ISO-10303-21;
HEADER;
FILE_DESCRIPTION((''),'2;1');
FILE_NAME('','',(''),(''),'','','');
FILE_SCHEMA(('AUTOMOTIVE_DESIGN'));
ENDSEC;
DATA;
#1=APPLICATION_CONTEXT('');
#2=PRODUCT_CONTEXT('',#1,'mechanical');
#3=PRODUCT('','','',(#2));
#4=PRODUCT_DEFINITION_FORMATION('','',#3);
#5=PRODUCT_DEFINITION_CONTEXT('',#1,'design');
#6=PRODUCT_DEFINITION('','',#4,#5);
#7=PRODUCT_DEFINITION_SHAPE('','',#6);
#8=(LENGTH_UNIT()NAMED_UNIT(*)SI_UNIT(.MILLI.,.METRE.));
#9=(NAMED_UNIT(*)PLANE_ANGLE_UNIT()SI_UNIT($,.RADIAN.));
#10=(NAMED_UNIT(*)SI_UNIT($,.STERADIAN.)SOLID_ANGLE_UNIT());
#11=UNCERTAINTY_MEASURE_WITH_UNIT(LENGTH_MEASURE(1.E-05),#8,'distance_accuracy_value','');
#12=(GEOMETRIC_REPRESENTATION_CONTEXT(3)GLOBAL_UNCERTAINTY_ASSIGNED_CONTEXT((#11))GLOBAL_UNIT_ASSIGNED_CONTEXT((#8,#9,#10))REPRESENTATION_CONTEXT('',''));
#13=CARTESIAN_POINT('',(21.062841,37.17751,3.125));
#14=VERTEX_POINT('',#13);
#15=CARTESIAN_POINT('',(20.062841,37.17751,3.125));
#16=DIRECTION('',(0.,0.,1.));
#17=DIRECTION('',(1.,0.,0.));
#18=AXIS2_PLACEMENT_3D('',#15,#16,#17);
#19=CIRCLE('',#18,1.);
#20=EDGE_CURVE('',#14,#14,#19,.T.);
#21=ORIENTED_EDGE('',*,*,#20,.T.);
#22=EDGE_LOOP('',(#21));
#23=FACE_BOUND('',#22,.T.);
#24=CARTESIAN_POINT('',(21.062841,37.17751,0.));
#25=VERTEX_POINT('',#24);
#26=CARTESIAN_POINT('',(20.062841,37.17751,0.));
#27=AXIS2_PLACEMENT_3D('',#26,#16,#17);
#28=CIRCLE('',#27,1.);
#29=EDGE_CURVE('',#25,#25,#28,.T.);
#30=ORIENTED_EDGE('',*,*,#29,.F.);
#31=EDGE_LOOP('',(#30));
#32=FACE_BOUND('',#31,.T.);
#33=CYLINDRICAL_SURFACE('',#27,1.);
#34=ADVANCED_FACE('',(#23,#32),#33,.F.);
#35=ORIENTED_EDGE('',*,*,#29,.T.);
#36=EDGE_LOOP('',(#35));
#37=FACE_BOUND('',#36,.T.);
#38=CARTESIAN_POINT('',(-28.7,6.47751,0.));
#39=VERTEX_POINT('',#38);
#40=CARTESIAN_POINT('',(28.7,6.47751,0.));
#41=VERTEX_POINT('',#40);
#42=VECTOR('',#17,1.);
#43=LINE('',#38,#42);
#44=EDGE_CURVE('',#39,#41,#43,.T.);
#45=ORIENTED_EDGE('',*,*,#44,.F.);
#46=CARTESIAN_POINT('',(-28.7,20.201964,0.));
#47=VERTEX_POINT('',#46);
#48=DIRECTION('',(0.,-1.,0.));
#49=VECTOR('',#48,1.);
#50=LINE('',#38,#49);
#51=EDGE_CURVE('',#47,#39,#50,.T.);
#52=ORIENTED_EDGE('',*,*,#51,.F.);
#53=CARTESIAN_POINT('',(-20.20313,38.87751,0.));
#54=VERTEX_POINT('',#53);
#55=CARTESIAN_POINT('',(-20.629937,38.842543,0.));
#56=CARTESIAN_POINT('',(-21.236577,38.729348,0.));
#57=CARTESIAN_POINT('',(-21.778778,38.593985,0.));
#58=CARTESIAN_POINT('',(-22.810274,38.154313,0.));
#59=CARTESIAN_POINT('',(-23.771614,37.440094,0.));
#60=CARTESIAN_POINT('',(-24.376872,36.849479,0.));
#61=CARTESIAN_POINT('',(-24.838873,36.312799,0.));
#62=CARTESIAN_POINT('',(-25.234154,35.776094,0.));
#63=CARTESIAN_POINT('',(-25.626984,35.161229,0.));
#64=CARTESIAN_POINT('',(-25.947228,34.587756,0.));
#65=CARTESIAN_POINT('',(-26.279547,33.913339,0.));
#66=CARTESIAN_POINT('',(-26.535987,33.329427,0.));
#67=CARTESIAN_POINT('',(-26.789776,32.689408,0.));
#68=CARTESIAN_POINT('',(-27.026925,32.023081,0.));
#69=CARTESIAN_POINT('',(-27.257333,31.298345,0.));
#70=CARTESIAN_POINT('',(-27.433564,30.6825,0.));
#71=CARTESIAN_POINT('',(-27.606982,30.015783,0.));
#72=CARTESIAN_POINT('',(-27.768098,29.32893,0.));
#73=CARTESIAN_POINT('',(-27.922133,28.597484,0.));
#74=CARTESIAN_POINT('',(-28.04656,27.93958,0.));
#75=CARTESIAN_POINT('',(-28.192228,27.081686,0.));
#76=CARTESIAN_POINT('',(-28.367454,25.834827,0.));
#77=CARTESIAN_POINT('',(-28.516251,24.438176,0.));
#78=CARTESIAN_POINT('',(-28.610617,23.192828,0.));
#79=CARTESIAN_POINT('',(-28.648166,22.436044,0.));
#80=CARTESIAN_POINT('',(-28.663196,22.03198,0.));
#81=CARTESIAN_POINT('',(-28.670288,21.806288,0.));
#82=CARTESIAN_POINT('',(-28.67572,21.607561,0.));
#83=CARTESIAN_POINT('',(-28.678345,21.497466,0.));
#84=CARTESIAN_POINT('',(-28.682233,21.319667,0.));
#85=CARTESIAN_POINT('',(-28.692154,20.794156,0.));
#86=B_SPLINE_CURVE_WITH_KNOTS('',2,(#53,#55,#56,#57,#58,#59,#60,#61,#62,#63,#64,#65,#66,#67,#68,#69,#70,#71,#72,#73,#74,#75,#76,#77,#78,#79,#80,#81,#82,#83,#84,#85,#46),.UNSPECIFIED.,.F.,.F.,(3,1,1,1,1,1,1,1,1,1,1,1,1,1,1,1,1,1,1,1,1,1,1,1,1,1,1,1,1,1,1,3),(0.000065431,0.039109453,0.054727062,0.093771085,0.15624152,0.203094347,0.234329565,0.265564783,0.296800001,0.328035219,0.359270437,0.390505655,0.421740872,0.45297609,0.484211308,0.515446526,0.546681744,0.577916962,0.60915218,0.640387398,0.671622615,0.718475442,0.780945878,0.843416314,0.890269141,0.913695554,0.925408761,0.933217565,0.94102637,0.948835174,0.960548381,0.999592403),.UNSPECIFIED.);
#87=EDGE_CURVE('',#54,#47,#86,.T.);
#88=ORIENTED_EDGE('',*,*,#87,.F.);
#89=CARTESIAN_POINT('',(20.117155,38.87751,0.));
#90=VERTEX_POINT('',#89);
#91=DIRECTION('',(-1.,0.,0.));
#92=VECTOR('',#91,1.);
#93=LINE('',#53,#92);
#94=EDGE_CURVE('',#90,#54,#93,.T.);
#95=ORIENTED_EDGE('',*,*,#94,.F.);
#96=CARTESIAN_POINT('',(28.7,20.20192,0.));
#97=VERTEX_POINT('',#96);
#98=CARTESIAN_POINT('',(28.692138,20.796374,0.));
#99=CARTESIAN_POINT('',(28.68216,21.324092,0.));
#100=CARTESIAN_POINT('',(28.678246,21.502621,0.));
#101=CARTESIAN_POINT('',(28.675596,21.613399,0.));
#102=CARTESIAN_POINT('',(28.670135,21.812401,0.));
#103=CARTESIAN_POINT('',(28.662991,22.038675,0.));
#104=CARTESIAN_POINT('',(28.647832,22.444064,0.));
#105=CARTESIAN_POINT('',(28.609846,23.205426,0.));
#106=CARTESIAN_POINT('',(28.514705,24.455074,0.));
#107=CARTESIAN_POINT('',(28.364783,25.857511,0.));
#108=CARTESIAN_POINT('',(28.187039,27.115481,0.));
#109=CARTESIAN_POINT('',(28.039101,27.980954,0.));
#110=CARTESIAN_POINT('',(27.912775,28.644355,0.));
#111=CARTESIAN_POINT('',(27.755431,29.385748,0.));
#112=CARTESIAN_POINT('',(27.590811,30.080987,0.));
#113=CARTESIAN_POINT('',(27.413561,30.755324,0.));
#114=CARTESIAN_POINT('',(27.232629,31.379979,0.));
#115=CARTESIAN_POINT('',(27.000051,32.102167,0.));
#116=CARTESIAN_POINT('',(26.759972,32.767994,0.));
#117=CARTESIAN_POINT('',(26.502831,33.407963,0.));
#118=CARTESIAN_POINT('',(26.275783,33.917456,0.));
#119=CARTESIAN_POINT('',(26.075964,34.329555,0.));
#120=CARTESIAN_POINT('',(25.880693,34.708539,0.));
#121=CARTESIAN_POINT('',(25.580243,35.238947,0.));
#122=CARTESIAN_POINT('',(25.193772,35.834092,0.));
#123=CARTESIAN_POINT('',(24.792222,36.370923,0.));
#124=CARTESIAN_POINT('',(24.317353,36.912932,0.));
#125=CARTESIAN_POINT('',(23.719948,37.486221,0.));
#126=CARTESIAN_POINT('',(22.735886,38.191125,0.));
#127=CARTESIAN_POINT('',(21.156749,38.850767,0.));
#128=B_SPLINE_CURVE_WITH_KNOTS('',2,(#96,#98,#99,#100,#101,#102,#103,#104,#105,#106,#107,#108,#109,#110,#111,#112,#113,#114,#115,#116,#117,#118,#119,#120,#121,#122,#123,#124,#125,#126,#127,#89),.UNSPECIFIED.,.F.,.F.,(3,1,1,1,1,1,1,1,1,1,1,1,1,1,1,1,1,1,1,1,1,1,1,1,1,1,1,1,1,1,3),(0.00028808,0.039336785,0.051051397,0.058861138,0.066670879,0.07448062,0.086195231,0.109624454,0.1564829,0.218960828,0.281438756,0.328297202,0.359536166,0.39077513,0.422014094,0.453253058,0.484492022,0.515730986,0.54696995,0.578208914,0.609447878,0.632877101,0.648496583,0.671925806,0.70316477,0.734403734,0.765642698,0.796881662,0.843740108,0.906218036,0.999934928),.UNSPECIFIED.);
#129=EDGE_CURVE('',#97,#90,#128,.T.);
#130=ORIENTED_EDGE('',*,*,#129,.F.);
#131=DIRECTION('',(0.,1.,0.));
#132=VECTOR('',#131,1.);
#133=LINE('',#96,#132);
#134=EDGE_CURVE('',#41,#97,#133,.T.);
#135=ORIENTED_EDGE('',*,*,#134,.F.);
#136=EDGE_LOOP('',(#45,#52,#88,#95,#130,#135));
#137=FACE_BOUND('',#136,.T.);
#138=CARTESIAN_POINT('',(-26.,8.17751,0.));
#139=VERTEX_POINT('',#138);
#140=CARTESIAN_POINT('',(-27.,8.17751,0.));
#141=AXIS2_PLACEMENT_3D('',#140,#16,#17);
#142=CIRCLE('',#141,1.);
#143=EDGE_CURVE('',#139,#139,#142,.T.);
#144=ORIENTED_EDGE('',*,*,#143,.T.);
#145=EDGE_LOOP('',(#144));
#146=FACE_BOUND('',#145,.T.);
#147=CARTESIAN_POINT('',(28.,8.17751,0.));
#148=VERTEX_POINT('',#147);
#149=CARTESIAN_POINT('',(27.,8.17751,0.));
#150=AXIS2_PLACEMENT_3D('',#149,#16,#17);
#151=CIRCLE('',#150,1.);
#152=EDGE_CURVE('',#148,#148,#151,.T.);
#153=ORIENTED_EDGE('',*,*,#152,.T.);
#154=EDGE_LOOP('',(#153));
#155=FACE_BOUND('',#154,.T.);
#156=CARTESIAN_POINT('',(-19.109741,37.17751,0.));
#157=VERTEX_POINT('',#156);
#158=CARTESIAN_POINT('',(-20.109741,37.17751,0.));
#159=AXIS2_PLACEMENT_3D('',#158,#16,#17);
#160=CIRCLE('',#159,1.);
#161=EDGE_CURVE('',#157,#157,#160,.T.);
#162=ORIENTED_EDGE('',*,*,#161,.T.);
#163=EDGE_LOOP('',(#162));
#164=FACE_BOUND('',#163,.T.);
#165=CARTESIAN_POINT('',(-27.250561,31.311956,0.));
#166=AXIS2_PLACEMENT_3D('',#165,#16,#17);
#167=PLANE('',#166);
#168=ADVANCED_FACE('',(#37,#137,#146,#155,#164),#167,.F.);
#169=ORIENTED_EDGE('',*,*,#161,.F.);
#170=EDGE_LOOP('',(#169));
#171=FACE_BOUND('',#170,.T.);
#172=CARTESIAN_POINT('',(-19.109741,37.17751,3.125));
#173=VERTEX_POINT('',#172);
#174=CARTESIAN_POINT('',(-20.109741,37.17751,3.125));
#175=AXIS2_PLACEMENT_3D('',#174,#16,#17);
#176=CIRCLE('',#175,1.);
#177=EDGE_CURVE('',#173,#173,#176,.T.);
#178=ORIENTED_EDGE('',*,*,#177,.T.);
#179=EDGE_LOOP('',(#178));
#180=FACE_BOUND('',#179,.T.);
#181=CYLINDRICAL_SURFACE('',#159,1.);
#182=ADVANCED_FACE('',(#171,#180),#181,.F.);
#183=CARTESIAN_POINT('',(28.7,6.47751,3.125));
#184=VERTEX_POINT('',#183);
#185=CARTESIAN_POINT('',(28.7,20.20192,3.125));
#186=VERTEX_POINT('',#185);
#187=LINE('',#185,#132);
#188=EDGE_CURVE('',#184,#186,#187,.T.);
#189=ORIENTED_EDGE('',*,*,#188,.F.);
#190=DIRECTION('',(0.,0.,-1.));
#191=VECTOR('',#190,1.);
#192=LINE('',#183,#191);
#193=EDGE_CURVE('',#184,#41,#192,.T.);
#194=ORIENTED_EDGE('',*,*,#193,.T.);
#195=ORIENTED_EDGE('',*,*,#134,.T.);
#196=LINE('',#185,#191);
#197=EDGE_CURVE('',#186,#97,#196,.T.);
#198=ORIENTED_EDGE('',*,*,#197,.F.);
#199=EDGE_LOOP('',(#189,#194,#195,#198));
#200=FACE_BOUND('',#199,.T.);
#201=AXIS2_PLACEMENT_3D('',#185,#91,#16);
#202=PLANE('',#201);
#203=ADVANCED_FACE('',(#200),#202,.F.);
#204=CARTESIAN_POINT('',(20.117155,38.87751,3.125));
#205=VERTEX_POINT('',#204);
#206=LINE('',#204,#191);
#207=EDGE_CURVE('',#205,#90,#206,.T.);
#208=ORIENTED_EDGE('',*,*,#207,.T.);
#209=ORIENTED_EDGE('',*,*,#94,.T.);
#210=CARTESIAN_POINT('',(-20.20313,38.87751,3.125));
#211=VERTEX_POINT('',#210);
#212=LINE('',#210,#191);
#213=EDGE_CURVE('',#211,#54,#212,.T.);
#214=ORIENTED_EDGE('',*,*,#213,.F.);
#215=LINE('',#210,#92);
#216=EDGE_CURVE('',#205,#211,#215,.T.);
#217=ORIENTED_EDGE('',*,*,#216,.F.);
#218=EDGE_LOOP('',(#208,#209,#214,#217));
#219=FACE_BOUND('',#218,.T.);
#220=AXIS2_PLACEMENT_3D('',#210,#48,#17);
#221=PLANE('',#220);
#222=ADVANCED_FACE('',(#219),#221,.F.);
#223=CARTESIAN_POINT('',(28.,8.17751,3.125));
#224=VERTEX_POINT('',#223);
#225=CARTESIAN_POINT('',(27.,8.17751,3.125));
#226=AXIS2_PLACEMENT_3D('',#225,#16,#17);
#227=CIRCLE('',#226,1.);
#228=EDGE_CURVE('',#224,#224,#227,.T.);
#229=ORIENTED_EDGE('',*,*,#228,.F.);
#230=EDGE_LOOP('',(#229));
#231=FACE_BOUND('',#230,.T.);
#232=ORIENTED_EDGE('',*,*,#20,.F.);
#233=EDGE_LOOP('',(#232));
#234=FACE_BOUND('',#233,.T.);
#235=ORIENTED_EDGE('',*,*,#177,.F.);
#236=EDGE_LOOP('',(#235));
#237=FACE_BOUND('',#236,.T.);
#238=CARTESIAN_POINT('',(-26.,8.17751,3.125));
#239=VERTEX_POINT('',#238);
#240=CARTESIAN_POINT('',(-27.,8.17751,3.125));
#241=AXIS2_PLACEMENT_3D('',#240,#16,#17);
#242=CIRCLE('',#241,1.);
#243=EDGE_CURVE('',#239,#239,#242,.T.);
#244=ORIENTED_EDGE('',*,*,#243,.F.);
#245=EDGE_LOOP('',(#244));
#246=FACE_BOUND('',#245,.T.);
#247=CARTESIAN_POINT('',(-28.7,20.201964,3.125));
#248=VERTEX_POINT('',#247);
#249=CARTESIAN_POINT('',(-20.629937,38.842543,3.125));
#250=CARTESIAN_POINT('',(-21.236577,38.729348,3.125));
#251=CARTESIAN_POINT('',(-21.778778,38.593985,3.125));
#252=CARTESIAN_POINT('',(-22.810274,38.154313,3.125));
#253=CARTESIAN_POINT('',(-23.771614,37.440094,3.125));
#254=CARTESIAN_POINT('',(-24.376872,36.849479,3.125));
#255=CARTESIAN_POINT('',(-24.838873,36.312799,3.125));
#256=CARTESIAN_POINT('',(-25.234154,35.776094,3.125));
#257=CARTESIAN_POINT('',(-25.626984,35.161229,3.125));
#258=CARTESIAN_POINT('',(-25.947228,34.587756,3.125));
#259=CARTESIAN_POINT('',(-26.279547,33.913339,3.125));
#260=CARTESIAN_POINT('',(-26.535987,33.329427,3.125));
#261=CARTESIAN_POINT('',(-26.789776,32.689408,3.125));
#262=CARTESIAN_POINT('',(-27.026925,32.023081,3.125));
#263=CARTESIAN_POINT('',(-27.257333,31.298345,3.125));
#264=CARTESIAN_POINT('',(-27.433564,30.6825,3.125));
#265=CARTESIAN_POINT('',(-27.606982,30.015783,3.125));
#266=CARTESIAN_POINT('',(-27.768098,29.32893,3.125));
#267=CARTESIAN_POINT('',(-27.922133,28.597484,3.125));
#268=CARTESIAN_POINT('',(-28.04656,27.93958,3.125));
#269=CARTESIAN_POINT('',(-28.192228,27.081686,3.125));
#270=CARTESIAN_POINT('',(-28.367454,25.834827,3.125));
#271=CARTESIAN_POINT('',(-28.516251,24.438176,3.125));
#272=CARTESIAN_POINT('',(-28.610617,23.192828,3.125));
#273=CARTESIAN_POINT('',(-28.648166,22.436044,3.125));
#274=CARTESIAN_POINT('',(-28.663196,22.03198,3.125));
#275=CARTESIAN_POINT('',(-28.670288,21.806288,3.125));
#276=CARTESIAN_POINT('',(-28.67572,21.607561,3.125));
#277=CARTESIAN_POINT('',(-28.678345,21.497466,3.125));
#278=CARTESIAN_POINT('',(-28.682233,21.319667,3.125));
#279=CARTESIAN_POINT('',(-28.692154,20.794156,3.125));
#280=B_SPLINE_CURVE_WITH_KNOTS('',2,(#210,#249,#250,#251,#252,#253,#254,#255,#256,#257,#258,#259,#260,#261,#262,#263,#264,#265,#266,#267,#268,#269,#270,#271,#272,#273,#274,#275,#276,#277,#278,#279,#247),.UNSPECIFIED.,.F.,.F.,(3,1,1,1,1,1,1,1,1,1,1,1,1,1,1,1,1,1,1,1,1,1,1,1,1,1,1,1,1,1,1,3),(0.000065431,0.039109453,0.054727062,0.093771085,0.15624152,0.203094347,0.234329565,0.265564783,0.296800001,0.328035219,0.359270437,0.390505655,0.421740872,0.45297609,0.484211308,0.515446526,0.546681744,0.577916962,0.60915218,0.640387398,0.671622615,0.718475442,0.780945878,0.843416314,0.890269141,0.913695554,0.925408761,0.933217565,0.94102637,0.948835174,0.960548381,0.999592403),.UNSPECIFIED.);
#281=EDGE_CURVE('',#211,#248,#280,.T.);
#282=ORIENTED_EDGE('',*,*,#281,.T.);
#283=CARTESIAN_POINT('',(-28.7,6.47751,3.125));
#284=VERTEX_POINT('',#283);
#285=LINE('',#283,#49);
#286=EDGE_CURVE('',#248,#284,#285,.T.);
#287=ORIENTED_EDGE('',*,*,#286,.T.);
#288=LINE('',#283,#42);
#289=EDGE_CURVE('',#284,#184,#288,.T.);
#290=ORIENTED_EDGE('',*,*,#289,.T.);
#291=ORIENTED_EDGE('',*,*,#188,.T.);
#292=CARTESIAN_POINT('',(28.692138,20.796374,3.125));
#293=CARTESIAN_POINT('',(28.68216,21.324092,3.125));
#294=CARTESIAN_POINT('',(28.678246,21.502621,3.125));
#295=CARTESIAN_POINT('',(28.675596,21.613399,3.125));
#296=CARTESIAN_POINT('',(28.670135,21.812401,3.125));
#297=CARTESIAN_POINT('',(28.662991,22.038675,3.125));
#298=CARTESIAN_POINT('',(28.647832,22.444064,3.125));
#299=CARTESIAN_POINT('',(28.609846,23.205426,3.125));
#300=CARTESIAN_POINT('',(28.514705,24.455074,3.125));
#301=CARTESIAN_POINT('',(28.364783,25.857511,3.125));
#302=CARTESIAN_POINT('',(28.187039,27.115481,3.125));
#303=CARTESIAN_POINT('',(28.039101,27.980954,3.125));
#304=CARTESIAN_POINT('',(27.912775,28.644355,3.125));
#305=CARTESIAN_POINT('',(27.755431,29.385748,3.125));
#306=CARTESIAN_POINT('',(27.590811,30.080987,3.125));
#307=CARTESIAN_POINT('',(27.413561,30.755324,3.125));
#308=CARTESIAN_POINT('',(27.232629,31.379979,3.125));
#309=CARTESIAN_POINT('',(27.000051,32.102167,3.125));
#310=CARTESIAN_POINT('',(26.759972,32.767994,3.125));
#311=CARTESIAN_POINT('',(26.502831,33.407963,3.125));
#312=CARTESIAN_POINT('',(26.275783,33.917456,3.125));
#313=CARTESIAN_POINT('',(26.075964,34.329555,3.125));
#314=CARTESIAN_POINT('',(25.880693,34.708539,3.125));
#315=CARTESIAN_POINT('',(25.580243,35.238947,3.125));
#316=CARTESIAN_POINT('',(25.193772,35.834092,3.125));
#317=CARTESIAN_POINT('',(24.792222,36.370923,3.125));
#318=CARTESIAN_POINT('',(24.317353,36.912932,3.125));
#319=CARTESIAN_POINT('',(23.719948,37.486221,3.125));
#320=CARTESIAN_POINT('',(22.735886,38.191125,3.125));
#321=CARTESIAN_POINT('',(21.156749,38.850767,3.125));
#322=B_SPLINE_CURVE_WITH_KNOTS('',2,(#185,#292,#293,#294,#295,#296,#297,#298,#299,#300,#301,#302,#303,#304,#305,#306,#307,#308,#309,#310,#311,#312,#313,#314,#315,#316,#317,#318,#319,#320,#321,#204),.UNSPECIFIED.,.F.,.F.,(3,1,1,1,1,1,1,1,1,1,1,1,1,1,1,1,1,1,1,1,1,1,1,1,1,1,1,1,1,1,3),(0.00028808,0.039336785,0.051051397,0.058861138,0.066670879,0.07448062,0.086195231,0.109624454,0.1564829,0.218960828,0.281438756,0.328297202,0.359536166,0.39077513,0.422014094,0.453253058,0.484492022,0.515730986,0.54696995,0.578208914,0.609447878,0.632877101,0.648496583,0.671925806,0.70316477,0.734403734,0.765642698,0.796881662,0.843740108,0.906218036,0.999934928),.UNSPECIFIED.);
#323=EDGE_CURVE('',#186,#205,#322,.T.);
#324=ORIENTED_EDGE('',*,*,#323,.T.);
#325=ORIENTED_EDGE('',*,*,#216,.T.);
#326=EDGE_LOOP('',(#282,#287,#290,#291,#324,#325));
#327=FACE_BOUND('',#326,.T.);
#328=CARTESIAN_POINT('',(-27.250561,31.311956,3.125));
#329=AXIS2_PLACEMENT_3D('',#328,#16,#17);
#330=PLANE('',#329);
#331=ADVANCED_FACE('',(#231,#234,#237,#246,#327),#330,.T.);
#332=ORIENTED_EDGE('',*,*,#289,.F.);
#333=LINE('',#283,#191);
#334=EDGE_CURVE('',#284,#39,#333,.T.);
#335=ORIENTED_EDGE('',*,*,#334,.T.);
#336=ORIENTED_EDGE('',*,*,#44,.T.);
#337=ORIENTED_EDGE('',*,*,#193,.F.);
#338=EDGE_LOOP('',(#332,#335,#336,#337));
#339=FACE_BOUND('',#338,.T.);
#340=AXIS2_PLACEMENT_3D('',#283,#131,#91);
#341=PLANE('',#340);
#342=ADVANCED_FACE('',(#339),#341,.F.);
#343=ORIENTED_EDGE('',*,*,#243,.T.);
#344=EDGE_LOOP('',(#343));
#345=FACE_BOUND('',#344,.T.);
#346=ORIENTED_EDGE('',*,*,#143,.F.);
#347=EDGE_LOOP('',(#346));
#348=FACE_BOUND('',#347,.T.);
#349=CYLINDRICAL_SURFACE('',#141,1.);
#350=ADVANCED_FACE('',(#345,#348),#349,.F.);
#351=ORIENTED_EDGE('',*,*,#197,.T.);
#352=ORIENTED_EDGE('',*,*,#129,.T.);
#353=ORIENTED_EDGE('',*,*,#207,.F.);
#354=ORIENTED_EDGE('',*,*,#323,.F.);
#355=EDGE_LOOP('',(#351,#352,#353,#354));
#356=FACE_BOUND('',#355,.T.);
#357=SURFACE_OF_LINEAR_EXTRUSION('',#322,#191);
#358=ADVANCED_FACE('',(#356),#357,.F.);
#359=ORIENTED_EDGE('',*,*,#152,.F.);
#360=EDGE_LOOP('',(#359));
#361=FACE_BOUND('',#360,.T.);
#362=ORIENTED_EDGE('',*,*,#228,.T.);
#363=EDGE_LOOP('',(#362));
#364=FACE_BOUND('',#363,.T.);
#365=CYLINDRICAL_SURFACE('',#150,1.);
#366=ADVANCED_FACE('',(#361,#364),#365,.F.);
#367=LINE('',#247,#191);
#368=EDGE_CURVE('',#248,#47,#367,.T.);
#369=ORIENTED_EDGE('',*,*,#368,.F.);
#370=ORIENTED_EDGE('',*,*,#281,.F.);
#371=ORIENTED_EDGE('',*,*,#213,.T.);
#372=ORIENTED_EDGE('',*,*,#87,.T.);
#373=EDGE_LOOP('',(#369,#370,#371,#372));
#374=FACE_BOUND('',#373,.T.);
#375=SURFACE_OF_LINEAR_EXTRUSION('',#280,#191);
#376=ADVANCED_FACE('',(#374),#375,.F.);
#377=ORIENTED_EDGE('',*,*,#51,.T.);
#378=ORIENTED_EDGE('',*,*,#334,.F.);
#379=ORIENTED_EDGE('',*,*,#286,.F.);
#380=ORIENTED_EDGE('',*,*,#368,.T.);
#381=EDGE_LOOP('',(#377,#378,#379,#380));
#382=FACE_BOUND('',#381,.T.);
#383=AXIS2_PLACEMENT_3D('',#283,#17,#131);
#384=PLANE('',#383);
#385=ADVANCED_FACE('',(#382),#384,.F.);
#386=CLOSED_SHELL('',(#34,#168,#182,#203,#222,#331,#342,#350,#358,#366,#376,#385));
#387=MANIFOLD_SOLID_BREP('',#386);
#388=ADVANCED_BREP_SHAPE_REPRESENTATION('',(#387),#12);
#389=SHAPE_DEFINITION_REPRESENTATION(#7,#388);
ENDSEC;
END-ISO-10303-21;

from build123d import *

# Parameters (mm, degrees)
BOSS_EXTRUDE1_DEPTH = 3.125
SKETCH2_R           = 1
CUT_EXTRUDE1_DEPTH  = 4.1250001


with BuildPart() as part:
    # Sketch1 → Boss-Extrude1 (new body)
    with BuildSketch(Plane.XY):
        with BuildLine():
            Line((-20.203129901, 38.877510312), (20.117155087, 38.877510312))
            add(Edge.make_bspline(
                [(20.117155087, 38.877510312), (21.156749182, 38.850767463), (22.735886033, 38.191125375), (23.719947817, 37.486220747), (24.317353218, 36.912931858), (24.792221965, 36.370922804), (25.193772441, 35.834092453), (25.580242779, 35.238947111), (25.880693088, 34.70853854), (26.075964251, 34.329555217), (26.27578321, 33.917456134), (26.50283091, 33.407963298), (26.759971615, 32.767993983), (27.000050863, 32.102166694), (27.232629316, 31.379979175), (27.41356127, 30.755323796), (27.590811467, 30.080987437), (27.755431361, 29.385748212), (27.912775159, 28.644354852), (28.03910053, 27.980953625), (28.187039057, 27.115480867), (28.36478274, 25.857510545), (28.514705173, 24.455074496), (28.609846111, 23.205425502), (28.647832076, 22.444063797), (28.662990893, 22.038674751), (28.670134973, 21.812401374), (28.675595709, 21.613399304), (28.678245622, 21.502621455), (28.682159819, 21.324092236), (28.692138153, 20.796374144), (28.7, 20.201919543)],
                knots=[0.00028808, 0.00028808, 0.00028808, 0.094004972, 0.1564829, 0.203341346, 0.23458031, 0.265819274, 0.297058238, 0.328297202, 0.351726425, 0.367345907, 0.39077513, 0.422014094, 0.453253058, 0.484492022, 0.515730986, 0.54696995, 0.578208914, 0.609447878, 0.640686842, 0.671925806, 0.718784252, 0.78126218, 0.843740108, 0.890598554, 0.914027777, 0.925742389, 0.93355213, 0.941361871, 0.949171612, 0.960886223, 0.999934928, 0.999934928, 0.999934928], degree=2))
            Line((28.7, 20.201919543), (28.7, 6.477510312))
            Line((28.7, 6.477510312), (-28.7, 6.477510312))
            Line((-28.7, 6.477510312), (-28.7, 20.201963546))
            add(Edge.make_bspline(
                [(-28.7, 20.201963546), (-28.692153994, 20.794156459), (-28.682233134, 21.319666669), (-28.678344818, 21.497465649), (-28.675719654, 21.607561496), (-28.670287973, 21.806287867), (-28.663195669, 22.031980185), (-28.648165574, 22.436044498), (-28.610616915, 23.192828113), (-28.516251433, 24.438176441), (-28.367453676, 25.834827406), (-28.192228084, 27.081685513), (-28.046559562, 27.939579815), (-27.922133003, 28.597483896), (-27.768098497, 29.328930146), (-27.606982401, 30.015782704), (-27.433563779, 30.682500172), (-27.257332943, 31.29834509), (-27.02692461, 32.023081071), (-26.789775764, 32.689408082), (-26.535986502, 33.329426687), (-26.279546608, 33.913339435), (-25.947227657, 34.587755578), (-25.626984432, 35.161228543), (-25.234153605, 35.776093613), (-24.838872765, 36.312799127), (-24.37687249, 36.849479287), (-23.771614433, 37.440093914), (-22.81027432, 38.154312676), (-21.778778312, 38.593984534), (-21.23657709, 38.729347669), (-20.629937031, 38.842543263), (-20.203129901, 38.877510312)],
                knots=[6.5431e-05, 6.5431e-05, 6.5431e-05, 0.039109453, 0.05082266, 0.058631465, 0.066440269, 0.074249074, 0.08596228, 0.109388694, 0.15624152, 0.218711956, 0.281182392, 0.328035219, 0.359270437, 0.390505655, 0.421740872, 0.45297609, 0.484211308, 0.515446526, 0.546681744, 0.577916962, 0.60915218, 0.640387398, 0.671622615, 0.702857833, 0.734093051, 0.765328269, 0.796563487, 0.843416314, 0.90588675, 0.944930772, 0.960548381, 0.999592403, 0.999592403, 0.999592403], degree=2))
        make_face()
    extrude(amount=BOSS_EXTRUDE1_DEPTH)

    # Sketch2 → Cut-Extrude1 (cut, through all)
    with BuildSketch(Plane.XY.offset(3.125)):
        with Locations((-27, 8.177510312)):
            Circle(SKETCH2_R)
        with Locations((-20.109740551, 37.177510312)):
            Circle(SKETCH2_R)
        with Locations((20.062840726, 37.177510312)):
            Circle(SKETCH2_R)
        with Locations((27, 8.177510312)):
            Circle(SKETCH2_R)
    extrude(amount=-CUT_EXTRUDE1_DEPTH, mode=Mode.SUBTRACT)


solid = part.part
